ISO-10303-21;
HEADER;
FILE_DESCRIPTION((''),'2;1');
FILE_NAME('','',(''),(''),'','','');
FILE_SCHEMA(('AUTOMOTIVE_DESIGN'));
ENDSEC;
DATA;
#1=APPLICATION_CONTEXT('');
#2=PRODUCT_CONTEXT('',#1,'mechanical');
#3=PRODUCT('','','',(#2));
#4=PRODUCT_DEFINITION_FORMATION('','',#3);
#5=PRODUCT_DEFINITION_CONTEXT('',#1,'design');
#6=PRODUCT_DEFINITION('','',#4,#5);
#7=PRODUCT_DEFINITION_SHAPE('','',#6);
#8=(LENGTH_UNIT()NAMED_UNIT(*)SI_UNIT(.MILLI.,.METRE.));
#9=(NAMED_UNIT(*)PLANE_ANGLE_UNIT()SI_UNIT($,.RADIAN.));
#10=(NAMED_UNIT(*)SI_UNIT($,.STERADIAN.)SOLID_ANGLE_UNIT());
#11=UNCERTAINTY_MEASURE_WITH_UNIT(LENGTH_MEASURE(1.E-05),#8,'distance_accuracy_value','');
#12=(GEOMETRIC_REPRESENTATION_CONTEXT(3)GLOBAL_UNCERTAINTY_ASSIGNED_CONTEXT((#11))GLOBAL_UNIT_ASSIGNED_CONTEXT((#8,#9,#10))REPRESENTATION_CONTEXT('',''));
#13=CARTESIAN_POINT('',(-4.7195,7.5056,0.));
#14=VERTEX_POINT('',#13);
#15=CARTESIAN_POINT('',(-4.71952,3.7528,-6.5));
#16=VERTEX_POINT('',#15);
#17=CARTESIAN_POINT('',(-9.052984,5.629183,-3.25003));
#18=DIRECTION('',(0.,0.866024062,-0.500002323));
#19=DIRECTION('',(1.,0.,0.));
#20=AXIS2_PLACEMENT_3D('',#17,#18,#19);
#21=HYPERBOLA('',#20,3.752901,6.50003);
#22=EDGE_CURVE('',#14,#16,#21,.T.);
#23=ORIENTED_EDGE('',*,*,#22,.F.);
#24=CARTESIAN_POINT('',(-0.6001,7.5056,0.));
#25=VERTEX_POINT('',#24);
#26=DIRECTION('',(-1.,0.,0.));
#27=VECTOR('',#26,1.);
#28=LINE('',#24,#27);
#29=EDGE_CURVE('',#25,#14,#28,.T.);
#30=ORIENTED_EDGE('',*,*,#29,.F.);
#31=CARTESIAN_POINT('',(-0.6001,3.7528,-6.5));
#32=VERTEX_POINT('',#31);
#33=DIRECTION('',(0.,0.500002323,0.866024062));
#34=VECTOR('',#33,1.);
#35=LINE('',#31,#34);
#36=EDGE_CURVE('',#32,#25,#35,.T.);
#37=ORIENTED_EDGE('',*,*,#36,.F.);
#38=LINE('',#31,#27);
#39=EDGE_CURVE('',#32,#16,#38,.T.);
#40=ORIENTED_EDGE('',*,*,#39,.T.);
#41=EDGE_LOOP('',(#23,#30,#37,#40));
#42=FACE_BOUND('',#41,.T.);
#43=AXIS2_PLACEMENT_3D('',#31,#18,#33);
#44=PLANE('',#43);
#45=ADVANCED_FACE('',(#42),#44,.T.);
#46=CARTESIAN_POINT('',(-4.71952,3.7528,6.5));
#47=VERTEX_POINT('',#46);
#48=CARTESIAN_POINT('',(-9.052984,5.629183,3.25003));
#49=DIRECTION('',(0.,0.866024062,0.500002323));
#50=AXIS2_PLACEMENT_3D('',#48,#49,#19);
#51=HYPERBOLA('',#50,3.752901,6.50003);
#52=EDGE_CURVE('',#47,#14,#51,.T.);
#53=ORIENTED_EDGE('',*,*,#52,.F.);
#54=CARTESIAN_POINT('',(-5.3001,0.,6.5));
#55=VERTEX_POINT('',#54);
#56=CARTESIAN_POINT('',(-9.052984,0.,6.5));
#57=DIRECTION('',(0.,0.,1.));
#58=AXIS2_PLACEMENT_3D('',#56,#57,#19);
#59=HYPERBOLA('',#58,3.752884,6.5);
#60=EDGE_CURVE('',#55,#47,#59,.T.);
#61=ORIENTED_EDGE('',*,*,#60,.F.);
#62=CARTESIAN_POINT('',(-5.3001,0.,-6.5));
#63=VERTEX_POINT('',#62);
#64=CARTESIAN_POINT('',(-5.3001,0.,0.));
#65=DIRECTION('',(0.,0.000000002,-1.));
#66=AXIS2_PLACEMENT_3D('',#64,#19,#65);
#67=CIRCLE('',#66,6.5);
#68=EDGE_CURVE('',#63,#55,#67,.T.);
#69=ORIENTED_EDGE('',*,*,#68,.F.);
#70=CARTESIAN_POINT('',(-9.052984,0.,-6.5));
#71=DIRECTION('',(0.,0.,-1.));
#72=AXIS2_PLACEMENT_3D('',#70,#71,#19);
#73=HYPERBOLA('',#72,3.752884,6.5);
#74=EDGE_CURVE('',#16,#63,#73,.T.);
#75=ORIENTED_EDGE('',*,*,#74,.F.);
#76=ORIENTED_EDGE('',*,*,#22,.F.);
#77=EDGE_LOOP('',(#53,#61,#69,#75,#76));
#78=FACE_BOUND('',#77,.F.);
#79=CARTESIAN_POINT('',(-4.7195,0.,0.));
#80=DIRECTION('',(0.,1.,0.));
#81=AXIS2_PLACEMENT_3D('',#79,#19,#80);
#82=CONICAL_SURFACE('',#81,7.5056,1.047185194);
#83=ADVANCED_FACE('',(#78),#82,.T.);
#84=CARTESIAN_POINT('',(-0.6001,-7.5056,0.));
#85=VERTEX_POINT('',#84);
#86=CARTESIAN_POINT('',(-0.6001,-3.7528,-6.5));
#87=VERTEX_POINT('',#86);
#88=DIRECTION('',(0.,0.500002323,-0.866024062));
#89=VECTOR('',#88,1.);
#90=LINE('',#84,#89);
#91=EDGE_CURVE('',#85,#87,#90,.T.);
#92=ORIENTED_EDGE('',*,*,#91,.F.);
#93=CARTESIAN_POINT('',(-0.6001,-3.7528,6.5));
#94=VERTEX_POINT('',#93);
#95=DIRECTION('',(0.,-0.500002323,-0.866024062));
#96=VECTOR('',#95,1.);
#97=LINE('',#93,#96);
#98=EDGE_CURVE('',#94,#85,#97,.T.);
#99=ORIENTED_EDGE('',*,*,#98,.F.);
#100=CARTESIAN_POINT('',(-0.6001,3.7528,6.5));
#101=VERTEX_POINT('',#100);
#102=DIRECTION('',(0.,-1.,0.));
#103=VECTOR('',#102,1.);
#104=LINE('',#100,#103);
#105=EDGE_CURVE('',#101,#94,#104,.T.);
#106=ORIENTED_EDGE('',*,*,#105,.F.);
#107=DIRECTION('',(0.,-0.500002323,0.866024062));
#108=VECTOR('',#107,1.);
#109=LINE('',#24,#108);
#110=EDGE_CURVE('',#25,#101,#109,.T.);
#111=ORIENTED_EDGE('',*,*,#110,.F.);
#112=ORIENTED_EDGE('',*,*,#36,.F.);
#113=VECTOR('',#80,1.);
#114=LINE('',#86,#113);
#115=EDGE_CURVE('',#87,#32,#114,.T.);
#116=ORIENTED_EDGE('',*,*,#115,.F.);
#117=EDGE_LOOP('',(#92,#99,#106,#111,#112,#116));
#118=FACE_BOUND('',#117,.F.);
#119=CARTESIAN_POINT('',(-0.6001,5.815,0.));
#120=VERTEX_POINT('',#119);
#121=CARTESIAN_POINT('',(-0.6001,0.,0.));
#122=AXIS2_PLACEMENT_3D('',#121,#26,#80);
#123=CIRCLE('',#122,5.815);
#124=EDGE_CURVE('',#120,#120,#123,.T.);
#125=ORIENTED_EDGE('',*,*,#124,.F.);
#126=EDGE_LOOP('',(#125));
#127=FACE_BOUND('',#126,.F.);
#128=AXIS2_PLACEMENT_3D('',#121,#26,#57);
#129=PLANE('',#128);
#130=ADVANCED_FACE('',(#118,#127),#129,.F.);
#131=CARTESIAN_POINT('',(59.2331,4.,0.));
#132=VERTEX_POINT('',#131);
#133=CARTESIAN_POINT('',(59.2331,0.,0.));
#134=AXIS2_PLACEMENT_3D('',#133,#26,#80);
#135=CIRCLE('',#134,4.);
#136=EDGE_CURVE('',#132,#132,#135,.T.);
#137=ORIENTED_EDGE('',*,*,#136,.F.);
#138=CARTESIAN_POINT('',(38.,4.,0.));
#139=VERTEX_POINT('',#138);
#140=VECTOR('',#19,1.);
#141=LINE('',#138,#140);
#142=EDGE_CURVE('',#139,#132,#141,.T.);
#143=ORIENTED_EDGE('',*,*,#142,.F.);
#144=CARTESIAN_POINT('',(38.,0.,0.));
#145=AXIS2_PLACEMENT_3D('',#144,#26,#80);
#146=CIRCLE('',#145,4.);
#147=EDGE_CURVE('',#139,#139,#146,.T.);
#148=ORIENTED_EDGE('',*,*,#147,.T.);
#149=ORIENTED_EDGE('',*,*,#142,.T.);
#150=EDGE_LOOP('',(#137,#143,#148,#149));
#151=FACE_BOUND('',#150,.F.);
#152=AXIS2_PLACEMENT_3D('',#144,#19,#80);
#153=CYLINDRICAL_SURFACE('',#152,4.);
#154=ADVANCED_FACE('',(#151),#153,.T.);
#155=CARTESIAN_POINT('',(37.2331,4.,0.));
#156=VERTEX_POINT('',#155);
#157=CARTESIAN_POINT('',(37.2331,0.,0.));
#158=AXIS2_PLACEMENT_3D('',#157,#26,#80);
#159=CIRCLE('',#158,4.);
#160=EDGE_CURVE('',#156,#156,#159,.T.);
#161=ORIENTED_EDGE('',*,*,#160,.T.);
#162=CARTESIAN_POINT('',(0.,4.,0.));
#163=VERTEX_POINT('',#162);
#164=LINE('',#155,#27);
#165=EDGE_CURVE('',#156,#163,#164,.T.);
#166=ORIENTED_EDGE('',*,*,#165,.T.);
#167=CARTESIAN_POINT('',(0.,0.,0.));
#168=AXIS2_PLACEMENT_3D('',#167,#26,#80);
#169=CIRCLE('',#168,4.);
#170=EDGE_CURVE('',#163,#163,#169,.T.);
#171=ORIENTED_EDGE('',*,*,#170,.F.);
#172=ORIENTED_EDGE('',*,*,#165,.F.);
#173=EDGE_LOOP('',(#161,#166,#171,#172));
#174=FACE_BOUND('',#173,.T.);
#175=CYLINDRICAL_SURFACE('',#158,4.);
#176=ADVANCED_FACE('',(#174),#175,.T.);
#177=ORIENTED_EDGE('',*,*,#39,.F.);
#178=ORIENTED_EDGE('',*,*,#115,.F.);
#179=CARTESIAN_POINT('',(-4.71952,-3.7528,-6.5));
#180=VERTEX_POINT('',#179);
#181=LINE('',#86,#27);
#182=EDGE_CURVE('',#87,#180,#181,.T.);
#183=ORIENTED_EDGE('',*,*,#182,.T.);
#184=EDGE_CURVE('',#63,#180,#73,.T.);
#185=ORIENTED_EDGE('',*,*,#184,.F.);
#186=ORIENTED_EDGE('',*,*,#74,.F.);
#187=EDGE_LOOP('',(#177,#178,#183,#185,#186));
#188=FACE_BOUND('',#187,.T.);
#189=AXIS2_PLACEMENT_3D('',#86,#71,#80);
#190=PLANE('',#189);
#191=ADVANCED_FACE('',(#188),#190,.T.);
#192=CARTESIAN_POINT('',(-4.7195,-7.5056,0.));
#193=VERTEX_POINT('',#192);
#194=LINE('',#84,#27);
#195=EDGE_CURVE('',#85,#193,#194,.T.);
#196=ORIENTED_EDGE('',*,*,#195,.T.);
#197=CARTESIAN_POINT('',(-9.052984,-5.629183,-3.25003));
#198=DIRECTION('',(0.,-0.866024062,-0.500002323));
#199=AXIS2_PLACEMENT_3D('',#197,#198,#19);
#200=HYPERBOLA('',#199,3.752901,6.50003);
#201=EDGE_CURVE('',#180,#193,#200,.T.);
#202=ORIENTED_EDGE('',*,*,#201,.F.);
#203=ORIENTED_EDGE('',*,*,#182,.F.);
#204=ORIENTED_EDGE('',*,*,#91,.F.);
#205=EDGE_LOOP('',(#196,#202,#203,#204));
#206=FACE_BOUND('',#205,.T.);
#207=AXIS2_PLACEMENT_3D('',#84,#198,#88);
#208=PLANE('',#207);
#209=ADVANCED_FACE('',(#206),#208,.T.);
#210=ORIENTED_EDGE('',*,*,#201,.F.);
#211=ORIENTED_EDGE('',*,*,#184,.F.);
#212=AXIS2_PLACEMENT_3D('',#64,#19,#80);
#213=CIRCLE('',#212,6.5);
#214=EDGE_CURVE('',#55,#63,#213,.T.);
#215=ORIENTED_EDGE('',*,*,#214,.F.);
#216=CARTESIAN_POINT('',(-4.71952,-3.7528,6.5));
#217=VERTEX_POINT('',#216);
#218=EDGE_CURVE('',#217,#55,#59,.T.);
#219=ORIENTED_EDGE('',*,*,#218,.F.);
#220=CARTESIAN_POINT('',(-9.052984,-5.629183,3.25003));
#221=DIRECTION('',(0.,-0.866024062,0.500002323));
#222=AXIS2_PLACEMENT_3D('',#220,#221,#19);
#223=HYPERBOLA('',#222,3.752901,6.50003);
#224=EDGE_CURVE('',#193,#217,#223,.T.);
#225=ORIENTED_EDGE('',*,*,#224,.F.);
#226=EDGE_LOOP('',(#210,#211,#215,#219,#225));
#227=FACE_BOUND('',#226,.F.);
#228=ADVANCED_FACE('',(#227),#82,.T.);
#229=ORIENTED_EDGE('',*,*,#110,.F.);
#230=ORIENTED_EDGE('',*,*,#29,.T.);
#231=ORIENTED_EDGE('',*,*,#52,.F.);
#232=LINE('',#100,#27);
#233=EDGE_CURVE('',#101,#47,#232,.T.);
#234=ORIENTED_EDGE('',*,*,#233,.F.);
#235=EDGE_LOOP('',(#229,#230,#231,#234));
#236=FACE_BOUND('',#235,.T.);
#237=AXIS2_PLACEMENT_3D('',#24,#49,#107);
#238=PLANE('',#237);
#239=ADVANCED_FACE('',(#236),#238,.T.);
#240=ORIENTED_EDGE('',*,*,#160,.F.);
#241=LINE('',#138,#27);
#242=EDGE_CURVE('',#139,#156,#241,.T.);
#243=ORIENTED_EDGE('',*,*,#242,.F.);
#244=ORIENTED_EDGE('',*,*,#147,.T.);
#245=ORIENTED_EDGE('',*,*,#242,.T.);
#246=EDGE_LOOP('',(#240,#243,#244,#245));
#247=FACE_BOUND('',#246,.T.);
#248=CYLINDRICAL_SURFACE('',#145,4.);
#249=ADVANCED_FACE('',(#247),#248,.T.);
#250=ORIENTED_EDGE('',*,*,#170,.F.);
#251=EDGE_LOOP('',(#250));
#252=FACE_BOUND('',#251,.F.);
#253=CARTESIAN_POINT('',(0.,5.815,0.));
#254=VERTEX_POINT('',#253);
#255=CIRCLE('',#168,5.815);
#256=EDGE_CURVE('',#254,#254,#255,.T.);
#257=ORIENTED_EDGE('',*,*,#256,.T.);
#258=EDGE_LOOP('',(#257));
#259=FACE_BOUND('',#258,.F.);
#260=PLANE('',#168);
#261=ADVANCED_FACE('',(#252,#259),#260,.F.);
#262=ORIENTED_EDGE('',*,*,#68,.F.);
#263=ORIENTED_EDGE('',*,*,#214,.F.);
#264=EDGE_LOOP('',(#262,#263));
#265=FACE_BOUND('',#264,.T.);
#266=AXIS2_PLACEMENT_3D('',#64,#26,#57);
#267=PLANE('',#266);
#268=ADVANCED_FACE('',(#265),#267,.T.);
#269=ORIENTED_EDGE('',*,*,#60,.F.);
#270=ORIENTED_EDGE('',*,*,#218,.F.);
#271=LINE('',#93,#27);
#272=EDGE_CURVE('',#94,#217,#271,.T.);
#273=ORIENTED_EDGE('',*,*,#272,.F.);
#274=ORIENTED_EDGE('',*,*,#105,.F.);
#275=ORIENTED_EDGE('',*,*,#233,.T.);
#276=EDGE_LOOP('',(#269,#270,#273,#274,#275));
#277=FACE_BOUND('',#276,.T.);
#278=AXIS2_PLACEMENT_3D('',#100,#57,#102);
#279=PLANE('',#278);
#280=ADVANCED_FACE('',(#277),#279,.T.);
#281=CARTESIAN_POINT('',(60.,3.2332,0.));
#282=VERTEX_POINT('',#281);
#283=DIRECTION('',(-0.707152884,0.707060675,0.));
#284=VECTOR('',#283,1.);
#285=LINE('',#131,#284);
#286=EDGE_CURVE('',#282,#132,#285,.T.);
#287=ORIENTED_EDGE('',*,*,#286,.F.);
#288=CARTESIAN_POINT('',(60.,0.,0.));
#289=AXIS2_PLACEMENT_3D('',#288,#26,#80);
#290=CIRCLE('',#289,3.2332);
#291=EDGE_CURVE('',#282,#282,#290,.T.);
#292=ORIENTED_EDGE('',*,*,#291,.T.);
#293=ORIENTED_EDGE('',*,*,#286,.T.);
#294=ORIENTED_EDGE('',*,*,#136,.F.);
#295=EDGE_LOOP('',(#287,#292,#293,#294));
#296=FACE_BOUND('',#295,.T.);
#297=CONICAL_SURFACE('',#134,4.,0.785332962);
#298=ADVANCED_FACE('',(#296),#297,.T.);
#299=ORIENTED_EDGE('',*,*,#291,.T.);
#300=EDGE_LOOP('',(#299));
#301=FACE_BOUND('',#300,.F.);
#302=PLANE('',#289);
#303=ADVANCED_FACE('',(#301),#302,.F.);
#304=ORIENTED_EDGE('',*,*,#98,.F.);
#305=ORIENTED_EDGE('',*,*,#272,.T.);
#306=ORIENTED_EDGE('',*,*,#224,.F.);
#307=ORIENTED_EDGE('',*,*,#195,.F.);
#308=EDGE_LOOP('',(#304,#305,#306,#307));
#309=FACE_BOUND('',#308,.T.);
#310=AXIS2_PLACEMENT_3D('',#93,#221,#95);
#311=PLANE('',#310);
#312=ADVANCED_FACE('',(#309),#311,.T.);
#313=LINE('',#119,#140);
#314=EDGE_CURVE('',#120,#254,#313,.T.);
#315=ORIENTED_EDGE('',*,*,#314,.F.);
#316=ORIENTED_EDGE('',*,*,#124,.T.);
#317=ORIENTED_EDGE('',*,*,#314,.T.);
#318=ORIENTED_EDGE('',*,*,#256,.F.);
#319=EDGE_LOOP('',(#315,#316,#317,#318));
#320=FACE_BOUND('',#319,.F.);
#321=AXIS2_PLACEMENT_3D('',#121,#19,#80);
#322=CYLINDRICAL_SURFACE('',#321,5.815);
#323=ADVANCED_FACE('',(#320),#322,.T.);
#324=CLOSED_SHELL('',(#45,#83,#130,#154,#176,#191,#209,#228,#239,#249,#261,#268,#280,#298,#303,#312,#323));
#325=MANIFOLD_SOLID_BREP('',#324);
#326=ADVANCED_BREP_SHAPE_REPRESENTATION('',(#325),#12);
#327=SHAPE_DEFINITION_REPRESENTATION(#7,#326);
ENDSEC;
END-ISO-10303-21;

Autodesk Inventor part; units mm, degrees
ref_plane "YZ Plane" through (0, 0, 0) normal (1, 0, 0) x (0, 1, 0)
ref_plane "XZ Plane" through (0, 0, 0) normal (0, 1, 0) x (-1, 0, 0)
sketch "Sketch1" plane through (0, 0, 0) normal (0, 0, 1) x (1, 0, 0)
  line L0 (0, 5.815) -> (0, 4)
  line L1 (38, 4) -> (60, 4)
  line L2 (60, 4) -> (60, 0)
  line L3 (60, 0) -> (-0.6001, 0)
  line L4 (-12.7201, 0) -> (72.12, 0) projected
  line L5 (-0.6001, 0) -> (-0.6001, 5.815)
  line L6 (-0.6001, 5.815) -> (0, 5.815)
  line L7 (38, 4) -> (37.2331, 4)
  line L8 (37.2331, 4) -> (0, 4)
  line L9 (0, -1.163) -> (0, 6.978) projected
  dimension "d0" = 60
  dimension "d1" = 22
  dimension "d2" = 8
  dimension "d9" = 0.6001
  dimension "d10" = 11.63
  dimension "d13" = 0.7669
  dimension "d14" = 8
revolve "Body" add sketch "Sketch1" angle 360 about axis through (60, 0, 0) along (-1, 0, 0)
sketch "Sketch2" plane through (-0.6001, 0, 0) normal (-1, 0, 0) x (0, 0, 1)
  line L0 (0, 7.5056) -> (6.5, 3.7528)
  line L1 (6.5, 3.7528) -> (6.5, -3.7528)
  line L2 (6.5, -3.7528) -> (0, -7.5056)
  line L3 (0, -7.5056) -> (-6.5, -3.7528)
  line L4 (-6.5, -3.7528) -> (-6.5, 3.7528)
  line L5 (-6.5, 3.7528) -> (0, 7.5056)
  point P0 (0, 0)
  point P1 (0, 0)
  dimension "d11" = 13
extrude "Head" add sketch "Sketch2" along normal blind 4.7
sketch "Sketch4" plane through (0, 0, 0) normal (0, 0, 1) x (1, 0, 0)
  line L0 (-5.3001, 6.5) -> (-5.3001, 7.5056)
  line L1 (-5.3001, 7.5056) -> (-4.7195, 7.5056)
  line L2 (-4.7195, 7.5056) -> (-5.3001, 6.5)
  line L3 (-6.2401, 0) -> (0.3399, 0) projected
  line L4 (-0.6001, 7.5056) -> (-5.3001, 7.5056) projected
  line L5 (-5.3001, 3.7528) -> (-5.3001, 7.5056) projected
  dimension "d5" = 30
  dimension "d19" = 13
revolve "Chamfer1" cut sketch "Sketch4" angle 360 about axis through (-10, 0, 0) along (1, 0, 0)
thread "Thread" size "M8x1.25" class "6g" standard "ISO Metric profile" length 22
chamfer "Chamfer2" distance 0.7668 distance2 0.7669 1 edges at (60, -4, 0) measured on face at (60, -0.1514, -1.2467)
ref_plane "Work Plane1" through (1.525, 0, 0) normal (0, 0, 1) x (1, 0, 0)
equation "\"d0\" = NLG"
equation "\"d1\" = GEL"
equation "\"d2\" = GD"
equation "\"d10\" = SD2"
equation "\"d14\" = BDM"
equation "\"d11\" = SW"
equation "\"d3\" = KOH - SD"
equation "\"d5\" = ANG1"
equation "\"d19\" = SW0"
equation "\"d15\" = GEL"
equation "\"d6\" = -0.5 * SPD + 0.5 * GD"
equation "\"NLG\" = 60"
equation "\"GD\" = NND"
equation "\"BDM\" = NND"
equation "\"KOH\" = 5.3"
equation "\"GEL\" = 22"
equation "\"SW\" = 13"
equation "\"SW0\" = SW"
equation "\"SPD\" = NND - 1.2269 * PTC"
equation "\"SD2\" = 11.63"
equation "\"SD\" = 0.6"
equation "\"ANG1\" = 30deg"
equation "\"GAL\" = 0.61345 * PTC"
equation "\"GUL\" = 0.61345 * PTC"
equation "\"RR\" = 0.4"
equation "\"GD1\" = THREADDIA - 1.2269 * PTC"
equation "\"THREADDIA\" = 8"
equation "\"SDH\" = SD2"
equation "\"TOA\" = 30deg"
equation "\"PTC\" = 1.25"
equation "\"NND\" = 8"
equation "\"E0\" = 1.155 * SW"
properties part number "ISO 4014 - M8 x 60" material "Stainless Steel, 440C"
